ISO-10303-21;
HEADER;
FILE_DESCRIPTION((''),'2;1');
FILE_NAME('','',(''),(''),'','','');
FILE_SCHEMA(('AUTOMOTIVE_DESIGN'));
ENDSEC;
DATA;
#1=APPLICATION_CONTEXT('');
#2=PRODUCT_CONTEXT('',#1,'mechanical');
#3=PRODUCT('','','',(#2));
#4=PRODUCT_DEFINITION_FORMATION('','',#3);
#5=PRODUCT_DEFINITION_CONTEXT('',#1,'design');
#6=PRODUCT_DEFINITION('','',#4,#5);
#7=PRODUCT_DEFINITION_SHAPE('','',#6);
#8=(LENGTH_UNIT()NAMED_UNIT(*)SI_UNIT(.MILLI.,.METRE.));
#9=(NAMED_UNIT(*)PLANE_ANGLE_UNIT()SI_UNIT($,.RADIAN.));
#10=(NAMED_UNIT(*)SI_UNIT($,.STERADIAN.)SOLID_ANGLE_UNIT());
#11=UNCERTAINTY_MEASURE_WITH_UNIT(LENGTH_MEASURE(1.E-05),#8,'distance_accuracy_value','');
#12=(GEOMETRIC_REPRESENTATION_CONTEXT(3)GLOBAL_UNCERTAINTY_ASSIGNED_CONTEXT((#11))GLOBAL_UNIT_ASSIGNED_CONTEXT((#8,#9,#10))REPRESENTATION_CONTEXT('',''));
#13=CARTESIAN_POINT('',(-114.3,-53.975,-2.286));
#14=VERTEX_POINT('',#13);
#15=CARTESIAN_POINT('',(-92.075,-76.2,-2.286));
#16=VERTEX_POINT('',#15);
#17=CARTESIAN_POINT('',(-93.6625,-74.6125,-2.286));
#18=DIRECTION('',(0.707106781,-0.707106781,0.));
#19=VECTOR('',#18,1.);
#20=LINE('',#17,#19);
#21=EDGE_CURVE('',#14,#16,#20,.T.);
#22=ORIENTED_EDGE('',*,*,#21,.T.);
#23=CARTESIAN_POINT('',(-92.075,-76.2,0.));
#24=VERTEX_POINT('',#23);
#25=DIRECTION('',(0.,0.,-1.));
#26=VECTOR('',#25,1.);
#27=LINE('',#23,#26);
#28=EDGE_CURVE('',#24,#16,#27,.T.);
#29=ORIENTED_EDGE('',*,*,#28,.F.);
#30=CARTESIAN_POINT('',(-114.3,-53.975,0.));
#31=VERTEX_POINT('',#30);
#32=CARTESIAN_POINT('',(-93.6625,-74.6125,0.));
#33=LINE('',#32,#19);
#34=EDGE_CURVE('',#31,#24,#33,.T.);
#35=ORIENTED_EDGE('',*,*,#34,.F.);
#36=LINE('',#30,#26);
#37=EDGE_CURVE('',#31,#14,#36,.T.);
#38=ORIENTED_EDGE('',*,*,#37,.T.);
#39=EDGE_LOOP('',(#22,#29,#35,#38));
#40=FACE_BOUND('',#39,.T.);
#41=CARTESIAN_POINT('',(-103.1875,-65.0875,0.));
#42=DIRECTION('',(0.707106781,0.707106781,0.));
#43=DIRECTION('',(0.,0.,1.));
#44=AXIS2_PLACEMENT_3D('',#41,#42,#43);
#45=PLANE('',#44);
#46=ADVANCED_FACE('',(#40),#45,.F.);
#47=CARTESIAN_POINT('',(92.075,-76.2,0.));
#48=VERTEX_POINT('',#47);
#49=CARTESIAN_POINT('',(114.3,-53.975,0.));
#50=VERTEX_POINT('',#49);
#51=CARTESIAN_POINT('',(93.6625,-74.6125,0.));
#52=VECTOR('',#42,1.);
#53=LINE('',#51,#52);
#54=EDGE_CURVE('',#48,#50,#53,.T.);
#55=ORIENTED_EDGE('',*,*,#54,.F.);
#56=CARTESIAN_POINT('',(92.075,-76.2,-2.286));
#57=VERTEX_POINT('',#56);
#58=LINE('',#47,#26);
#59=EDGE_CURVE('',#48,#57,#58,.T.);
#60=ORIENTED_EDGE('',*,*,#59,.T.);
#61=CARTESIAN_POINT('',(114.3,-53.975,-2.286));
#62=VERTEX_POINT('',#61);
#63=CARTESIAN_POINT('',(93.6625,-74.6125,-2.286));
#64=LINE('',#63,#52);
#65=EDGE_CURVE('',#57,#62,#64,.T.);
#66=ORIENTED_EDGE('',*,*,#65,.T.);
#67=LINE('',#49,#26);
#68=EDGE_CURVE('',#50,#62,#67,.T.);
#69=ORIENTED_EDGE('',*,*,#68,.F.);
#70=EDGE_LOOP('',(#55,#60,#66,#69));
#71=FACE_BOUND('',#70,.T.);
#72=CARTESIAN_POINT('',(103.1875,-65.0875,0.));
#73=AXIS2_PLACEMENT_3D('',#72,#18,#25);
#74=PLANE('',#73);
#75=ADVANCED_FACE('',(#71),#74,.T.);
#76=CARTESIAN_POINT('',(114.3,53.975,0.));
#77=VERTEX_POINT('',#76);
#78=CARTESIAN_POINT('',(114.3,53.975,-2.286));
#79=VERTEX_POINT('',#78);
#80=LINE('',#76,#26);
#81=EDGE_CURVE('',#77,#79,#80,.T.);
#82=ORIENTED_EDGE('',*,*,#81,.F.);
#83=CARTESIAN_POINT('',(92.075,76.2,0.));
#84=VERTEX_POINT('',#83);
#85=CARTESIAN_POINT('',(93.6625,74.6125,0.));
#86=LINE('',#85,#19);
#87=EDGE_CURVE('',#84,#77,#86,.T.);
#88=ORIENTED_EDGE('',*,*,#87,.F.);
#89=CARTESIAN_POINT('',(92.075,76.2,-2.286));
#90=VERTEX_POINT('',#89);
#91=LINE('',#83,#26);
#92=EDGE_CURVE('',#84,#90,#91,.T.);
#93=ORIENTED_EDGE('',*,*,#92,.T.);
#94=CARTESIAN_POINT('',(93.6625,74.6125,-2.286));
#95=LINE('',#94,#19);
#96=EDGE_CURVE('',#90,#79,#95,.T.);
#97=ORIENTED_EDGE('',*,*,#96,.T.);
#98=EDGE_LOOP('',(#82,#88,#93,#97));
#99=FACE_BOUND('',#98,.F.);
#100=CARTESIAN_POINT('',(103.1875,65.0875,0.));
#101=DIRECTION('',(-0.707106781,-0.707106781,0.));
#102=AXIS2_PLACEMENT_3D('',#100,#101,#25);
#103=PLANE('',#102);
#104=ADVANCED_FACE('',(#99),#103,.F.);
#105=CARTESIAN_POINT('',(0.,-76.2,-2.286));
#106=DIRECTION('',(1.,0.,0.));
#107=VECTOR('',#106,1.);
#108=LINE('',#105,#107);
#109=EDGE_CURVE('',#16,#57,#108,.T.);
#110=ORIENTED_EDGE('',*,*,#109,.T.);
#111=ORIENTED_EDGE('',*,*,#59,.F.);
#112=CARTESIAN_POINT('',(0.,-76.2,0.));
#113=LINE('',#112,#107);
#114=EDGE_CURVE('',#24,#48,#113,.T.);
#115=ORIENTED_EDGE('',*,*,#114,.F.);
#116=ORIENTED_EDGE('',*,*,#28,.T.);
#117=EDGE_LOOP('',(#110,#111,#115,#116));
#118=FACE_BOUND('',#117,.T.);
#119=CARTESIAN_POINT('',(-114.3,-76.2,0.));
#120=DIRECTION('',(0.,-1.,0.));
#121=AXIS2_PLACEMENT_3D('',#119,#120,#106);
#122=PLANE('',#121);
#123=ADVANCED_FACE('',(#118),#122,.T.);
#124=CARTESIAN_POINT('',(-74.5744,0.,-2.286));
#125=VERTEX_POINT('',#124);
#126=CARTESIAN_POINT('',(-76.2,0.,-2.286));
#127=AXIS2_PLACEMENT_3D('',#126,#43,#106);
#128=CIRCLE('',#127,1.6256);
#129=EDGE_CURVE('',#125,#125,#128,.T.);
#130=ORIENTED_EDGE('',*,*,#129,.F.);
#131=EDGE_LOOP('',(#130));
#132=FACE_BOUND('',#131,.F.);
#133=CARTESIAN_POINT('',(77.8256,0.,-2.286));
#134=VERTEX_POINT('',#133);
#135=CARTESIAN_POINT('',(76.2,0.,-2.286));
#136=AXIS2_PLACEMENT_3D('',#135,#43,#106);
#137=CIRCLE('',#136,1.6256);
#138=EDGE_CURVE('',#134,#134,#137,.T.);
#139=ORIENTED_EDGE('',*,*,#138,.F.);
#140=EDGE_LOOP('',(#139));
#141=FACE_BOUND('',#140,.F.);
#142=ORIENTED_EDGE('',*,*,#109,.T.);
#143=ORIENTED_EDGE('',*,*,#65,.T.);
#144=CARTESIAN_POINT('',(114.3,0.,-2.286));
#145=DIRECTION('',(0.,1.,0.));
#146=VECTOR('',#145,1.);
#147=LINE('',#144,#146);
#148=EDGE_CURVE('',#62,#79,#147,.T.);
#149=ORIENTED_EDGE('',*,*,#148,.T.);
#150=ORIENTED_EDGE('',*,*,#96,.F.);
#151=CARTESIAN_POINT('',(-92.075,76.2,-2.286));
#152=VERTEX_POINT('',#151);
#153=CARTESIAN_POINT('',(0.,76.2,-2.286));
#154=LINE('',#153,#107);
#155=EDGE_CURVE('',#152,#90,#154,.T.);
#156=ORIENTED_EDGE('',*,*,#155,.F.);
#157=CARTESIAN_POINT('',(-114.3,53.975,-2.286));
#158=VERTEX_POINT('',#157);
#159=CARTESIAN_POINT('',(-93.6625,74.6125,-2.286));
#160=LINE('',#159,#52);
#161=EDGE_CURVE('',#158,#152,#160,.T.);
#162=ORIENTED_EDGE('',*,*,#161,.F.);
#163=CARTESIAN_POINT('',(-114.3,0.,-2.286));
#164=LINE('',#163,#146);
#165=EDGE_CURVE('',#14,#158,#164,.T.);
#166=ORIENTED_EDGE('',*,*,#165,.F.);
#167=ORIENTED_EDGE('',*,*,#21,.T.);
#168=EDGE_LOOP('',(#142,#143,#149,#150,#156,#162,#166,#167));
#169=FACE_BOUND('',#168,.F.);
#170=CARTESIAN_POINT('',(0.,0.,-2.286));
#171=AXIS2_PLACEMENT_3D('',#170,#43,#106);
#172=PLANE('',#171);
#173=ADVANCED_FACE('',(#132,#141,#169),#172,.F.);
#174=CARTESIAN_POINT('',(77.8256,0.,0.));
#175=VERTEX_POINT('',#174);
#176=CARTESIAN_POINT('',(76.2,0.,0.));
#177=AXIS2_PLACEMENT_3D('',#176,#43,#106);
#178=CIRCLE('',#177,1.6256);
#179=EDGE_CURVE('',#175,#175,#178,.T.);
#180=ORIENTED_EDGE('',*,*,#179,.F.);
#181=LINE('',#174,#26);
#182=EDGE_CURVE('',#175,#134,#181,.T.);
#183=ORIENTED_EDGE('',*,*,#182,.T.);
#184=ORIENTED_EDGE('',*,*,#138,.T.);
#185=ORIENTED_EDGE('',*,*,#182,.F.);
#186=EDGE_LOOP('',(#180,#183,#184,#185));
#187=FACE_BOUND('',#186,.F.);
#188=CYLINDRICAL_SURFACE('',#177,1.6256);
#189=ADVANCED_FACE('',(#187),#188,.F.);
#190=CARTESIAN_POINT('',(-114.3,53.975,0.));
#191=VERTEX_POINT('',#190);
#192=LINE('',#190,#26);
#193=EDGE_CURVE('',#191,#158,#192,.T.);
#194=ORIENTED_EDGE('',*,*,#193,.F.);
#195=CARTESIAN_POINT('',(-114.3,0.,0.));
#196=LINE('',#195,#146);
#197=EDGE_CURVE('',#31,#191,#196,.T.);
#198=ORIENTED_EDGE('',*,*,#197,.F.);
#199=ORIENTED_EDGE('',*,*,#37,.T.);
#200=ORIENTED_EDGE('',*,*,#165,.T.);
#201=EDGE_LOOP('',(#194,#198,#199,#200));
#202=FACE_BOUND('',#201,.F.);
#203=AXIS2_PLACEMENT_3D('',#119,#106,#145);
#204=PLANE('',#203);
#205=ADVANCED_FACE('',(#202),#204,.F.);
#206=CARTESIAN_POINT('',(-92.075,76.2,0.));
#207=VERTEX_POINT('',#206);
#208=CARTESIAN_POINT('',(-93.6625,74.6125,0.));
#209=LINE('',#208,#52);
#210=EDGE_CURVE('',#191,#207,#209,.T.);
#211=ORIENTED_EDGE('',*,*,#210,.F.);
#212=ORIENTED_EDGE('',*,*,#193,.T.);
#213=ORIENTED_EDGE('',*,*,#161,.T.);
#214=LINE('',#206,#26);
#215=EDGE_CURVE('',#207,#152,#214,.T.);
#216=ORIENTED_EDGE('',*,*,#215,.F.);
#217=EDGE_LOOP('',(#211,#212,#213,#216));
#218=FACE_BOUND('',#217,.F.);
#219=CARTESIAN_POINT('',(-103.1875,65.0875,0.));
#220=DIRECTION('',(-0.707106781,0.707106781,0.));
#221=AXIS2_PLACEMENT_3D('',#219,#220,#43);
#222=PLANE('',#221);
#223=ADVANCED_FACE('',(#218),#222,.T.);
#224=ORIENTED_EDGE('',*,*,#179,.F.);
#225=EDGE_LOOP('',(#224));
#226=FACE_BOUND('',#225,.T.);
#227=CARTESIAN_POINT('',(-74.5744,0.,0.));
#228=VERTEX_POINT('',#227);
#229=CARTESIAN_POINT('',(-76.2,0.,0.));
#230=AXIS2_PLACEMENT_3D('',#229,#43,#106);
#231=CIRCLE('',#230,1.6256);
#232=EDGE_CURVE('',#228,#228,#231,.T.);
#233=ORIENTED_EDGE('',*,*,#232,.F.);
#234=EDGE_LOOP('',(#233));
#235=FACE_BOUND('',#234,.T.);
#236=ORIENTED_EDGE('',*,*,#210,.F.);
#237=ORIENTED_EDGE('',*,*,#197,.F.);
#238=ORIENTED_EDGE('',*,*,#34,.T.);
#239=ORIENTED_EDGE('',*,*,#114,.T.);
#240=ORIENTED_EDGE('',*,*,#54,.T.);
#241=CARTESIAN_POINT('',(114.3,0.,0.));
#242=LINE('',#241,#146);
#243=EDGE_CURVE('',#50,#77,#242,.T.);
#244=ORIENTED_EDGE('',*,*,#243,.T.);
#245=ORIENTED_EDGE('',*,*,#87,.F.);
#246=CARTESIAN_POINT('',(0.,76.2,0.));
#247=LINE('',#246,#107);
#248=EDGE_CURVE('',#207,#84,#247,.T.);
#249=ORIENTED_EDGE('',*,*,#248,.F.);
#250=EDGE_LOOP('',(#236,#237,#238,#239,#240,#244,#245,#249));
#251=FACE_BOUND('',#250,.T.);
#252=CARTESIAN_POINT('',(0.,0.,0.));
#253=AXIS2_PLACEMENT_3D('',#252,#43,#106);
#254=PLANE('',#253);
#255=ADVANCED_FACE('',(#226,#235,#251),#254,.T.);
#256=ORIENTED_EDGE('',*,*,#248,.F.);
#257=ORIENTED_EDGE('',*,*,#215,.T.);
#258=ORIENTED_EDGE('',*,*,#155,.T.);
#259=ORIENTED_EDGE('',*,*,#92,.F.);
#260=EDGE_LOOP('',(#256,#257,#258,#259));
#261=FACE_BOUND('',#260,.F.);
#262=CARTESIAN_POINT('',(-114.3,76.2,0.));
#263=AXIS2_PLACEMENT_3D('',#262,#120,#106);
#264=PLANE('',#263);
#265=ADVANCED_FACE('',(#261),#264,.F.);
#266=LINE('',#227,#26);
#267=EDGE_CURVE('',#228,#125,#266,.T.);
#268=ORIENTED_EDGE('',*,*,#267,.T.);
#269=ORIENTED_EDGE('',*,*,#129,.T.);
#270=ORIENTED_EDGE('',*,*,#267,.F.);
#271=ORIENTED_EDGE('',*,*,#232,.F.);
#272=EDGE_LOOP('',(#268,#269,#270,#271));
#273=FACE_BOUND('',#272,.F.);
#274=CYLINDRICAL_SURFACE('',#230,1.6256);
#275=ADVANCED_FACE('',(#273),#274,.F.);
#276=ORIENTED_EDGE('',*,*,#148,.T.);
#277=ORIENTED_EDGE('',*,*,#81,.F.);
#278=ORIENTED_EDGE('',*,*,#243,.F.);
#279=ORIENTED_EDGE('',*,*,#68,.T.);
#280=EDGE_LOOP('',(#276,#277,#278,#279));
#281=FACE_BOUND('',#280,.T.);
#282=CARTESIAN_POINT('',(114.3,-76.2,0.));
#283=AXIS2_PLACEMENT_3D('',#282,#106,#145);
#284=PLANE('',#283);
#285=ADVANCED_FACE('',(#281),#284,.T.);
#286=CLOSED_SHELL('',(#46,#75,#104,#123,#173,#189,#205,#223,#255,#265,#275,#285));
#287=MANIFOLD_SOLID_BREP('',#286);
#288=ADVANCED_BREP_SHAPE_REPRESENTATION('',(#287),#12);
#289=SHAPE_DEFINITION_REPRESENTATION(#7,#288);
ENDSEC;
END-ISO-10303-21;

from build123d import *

# Parameters (mm, degrees)
F0_W     = 228.6
F0_H     = 152.4
F1_DEPTH = 2.286
F2_R     = 1.6256
F3_DEPTH = 2.287
F4_SIZE  = 22.225


with BuildPart() as f1:
    # F0 (on Top) → F1 (new body)
    with BuildSketch(Plane.XY):
        Rectangle(F0_W, F0_H)
    extrude(amount=-F1_DEPTH)

    # F2 (on face) → F3 (cut, through all)
    with BuildSketch(Plane.XY):
        with Locations((-76.2, 0)):
            Circle(F2_R)
        with Locations((76.2, 0)):
            Circle(F2_R)
    extrude(amount=-F3_DEPTH, mode=Mode.SUBTRACT)

    # F4
    f4_edges = [f1.edges().sort_by_distance(p)[0] for p in [
        (-114.3, 76.2, -1.143),
        (114.3, 76.2, -1.143),
        (-114.3, -76.2, -1.143),
        (114.3, -76.2, -1.143),
    ]]
    chamfer(f4_edges, length=F4_SIZE)


solid = f1.part
